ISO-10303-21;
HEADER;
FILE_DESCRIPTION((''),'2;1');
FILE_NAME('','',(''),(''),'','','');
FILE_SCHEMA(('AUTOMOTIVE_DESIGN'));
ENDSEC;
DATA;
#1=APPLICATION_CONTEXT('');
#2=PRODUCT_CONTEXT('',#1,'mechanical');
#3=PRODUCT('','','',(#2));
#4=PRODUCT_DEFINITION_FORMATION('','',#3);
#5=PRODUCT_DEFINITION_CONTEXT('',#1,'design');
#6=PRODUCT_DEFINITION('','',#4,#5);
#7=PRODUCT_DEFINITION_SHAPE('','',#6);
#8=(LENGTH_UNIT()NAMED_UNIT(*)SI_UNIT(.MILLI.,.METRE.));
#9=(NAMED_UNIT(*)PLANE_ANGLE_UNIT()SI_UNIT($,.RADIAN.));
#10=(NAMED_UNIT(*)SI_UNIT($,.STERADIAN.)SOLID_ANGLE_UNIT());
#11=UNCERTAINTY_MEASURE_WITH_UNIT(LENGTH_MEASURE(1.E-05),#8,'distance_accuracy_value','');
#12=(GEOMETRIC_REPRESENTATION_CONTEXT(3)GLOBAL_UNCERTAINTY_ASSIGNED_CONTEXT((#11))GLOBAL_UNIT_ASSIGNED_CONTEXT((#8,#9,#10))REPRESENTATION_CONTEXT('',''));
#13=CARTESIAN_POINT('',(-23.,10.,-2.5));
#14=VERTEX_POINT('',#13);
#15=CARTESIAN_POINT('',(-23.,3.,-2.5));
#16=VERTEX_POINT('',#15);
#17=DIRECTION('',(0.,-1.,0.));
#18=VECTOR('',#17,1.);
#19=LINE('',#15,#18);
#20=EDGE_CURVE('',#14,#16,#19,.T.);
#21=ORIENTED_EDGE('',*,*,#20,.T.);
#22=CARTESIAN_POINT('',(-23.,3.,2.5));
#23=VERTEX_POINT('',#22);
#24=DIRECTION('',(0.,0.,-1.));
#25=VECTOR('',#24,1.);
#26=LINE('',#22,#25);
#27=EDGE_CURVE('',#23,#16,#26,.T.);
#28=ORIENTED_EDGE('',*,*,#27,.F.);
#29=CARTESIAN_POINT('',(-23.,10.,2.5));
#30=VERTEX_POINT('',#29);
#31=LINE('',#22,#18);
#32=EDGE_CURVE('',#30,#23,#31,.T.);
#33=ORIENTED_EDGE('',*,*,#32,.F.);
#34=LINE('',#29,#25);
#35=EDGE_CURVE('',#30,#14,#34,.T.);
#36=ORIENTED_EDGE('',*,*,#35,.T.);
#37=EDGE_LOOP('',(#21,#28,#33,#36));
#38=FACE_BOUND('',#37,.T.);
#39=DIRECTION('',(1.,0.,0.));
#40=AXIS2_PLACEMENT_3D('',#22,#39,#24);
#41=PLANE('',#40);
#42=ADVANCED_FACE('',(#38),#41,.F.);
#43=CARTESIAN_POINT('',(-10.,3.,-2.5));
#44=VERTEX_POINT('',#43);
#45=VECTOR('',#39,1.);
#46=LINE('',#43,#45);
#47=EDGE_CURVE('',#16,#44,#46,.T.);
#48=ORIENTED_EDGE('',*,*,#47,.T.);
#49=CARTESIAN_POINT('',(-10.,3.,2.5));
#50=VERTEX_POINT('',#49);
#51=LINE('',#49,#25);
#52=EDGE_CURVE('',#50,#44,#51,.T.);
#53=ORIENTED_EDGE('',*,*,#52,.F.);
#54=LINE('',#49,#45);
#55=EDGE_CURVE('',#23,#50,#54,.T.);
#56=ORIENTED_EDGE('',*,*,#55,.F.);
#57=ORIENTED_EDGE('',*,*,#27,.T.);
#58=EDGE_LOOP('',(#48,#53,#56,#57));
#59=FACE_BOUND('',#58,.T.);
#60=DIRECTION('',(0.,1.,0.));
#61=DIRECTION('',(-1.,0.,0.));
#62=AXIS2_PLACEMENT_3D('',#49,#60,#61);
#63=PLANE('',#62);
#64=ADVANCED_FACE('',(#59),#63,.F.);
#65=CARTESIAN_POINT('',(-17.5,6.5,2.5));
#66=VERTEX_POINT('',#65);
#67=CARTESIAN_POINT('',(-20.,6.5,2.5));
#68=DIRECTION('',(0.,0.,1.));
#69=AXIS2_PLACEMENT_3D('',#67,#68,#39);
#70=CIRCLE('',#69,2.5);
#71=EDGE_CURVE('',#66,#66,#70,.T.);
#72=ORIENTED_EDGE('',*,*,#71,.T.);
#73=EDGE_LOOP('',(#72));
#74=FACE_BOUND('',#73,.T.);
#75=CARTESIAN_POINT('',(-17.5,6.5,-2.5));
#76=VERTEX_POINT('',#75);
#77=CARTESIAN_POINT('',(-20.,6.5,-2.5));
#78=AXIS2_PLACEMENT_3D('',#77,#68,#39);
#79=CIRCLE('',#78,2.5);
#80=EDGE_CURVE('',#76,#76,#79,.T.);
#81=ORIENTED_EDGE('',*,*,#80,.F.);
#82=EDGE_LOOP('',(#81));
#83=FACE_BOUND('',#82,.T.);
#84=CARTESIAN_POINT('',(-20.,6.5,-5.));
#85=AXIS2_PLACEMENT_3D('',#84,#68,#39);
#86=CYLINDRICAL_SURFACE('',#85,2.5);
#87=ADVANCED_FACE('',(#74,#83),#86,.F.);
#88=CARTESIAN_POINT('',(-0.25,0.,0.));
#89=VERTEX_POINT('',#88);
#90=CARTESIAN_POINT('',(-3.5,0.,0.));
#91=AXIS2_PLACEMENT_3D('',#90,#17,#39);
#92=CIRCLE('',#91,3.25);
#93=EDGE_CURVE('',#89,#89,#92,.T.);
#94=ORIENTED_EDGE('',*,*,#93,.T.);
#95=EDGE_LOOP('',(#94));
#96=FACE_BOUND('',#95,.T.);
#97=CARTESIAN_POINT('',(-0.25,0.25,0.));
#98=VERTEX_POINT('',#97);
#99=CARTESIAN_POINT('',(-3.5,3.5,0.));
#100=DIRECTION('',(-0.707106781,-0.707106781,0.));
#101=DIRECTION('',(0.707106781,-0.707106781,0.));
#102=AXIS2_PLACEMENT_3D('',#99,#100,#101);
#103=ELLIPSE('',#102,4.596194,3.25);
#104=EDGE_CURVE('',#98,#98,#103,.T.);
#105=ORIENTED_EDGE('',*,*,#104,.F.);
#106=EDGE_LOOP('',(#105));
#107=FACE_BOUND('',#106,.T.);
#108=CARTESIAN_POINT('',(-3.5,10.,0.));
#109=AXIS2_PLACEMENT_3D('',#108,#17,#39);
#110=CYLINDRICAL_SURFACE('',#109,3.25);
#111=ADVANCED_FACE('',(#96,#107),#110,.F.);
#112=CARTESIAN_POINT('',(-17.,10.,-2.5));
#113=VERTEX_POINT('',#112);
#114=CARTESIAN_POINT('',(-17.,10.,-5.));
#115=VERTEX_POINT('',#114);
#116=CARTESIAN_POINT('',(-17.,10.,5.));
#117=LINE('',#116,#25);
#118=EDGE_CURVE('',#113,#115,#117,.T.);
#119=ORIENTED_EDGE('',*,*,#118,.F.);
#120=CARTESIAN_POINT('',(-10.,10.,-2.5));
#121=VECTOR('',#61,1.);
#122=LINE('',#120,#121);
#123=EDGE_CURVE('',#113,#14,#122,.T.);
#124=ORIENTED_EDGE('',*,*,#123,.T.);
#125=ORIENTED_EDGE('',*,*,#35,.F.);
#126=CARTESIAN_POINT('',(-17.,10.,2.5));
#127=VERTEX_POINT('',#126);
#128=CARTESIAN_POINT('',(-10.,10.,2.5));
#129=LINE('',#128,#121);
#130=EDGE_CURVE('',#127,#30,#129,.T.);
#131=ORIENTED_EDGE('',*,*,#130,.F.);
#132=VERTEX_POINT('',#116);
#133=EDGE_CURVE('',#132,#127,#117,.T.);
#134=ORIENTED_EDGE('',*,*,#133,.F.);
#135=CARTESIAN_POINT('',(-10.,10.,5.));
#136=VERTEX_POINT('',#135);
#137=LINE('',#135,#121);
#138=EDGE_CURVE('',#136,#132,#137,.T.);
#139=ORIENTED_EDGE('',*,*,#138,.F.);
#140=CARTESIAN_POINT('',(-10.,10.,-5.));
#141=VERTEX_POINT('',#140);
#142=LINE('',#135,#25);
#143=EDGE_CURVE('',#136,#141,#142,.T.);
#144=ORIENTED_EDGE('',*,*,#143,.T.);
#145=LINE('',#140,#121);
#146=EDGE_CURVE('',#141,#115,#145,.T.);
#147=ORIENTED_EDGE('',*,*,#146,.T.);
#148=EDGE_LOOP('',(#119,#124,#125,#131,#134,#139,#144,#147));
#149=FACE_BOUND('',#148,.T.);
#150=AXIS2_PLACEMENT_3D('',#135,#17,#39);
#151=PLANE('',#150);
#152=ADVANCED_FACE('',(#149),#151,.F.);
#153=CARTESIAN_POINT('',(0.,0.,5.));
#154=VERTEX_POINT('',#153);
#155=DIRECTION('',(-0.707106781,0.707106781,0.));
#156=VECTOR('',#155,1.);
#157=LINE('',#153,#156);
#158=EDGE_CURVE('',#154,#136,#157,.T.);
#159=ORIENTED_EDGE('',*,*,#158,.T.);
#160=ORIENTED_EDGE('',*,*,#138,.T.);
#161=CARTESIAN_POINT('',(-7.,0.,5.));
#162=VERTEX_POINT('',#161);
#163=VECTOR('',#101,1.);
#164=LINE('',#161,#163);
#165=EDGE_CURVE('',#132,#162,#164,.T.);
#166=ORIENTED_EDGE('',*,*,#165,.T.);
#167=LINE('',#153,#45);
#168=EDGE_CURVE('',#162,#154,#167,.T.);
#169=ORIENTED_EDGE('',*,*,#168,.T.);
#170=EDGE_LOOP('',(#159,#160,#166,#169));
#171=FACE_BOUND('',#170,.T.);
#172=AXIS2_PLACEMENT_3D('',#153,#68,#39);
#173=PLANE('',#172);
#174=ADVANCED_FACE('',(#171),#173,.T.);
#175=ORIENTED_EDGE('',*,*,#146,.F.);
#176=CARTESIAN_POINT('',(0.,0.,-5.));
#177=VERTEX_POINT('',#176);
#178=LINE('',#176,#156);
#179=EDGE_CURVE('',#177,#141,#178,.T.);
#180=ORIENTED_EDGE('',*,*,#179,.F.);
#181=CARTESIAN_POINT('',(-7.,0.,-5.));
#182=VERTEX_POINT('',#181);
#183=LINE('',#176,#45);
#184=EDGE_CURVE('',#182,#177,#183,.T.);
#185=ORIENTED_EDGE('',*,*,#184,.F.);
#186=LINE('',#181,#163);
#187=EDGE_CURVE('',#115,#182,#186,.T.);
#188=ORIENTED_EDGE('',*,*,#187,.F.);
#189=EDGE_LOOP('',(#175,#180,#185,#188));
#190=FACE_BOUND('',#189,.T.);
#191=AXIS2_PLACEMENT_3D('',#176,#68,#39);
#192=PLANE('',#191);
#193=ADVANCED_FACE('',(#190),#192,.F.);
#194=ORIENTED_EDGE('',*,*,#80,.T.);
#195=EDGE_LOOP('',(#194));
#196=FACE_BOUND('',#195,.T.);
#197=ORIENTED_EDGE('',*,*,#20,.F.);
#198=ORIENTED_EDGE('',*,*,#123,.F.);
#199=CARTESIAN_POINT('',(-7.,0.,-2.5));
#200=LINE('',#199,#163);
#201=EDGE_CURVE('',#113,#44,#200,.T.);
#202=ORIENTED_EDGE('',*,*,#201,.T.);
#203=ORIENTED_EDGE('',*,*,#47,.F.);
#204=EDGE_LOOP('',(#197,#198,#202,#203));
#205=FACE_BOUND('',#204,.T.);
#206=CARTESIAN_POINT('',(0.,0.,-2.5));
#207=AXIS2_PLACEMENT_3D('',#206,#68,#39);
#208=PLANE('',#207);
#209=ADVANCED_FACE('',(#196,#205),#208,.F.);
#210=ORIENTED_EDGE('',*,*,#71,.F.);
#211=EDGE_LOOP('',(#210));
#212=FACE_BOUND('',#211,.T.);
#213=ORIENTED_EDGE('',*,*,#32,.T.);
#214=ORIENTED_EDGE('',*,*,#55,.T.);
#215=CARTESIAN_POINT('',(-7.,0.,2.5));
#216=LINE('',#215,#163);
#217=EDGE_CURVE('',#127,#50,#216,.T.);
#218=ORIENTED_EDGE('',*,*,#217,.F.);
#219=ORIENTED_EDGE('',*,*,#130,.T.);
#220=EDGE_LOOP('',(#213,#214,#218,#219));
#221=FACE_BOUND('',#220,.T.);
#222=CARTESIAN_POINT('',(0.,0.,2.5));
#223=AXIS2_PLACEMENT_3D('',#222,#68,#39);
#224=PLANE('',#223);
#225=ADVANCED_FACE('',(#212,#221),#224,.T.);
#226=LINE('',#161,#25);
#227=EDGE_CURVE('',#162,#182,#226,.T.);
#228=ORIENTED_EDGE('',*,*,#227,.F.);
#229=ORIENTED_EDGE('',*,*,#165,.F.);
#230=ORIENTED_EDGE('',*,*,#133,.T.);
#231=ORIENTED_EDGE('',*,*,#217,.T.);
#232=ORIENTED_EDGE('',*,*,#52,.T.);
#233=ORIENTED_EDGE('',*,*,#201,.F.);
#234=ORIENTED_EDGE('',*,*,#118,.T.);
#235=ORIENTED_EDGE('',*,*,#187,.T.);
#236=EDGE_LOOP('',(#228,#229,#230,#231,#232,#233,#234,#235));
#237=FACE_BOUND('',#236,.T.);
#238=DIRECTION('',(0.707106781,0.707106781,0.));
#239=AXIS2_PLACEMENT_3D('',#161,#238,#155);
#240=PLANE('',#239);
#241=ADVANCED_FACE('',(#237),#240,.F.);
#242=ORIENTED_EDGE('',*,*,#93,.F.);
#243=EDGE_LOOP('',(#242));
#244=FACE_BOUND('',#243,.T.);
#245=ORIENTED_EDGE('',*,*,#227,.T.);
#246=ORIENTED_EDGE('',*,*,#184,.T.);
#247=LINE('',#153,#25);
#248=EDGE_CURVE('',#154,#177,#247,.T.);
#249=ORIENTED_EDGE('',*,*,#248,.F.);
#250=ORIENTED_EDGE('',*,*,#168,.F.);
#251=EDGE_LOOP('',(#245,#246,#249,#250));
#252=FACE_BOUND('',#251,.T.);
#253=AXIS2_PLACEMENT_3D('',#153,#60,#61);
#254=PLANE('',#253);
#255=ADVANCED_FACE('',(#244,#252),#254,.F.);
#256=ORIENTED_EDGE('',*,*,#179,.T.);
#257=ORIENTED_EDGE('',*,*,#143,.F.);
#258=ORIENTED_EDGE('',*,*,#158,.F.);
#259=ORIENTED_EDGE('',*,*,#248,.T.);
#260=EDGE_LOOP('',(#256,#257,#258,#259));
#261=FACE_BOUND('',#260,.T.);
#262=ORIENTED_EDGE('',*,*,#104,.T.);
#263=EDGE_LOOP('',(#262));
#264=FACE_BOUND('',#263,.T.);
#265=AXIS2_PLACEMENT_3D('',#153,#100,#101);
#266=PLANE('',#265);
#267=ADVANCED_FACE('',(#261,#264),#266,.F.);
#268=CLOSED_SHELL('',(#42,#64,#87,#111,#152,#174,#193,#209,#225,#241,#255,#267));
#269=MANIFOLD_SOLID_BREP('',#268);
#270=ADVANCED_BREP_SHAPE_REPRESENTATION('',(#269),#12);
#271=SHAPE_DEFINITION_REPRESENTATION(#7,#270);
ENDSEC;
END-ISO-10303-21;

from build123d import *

# Parameters (mm, degrees)
BOSS_EXTRUDE2_DEPTH = 5
SKETCH3_R           = 3.25
CUT_EXTRUDE1_DEPTH  = 11
SKETCH4_W           = 13
SKETCH4_H           = 7
BOSS_EXTRUDE3_DEPTH = 2.5
SKETCH5_R           = 2.5
CUT_EXTRUDE2_DEPTH  = 8.5


with BuildPart() as part:
    # Sketch2 → Boss-Extrude2 (new body, symmetric)
    with BuildSketch(Plane.XY):
        Polygon((0, 0), (-7, 0), (-17, 10), (-10, 10), align=None)
    extrude(amount=BOSS_EXTRUDE2_DEPTH, both=True)

    # Sketch3 → Cut-Extrude1 (cut, through all)
    with BuildSketch(Plane.XZ):
        with Locations((-3.5, 0)):
            Circle(SKETCH3_R)
    extrude(amount=-CUT_EXTRUDE1_DEPTH, mode=Mode.SUBTRACT)

    # Sketch4 → Boss-Extrude3 (add, symmetric)
    with BuildSketch(Plane.XY):
        with Locations((-16.5, 6.5)):
            Rectangle(SKETCH4_W, SKETCH4_H)
    extrude(amount=BOSS_EXTRUDE3_DEPTH, both=True)

    # Sketch5 → Cut-Extrude2 (cut, through all)
    with BuildSketch(Plane.XY.offset(2.5)):
        with Locations((-20, 6.5)):
            Circle(SKETCH5_R)
    extrude(amount=-CUT_EXTRUDE2_DEPTH, mode=Mode.SUBTRACT)


solid = part.part
